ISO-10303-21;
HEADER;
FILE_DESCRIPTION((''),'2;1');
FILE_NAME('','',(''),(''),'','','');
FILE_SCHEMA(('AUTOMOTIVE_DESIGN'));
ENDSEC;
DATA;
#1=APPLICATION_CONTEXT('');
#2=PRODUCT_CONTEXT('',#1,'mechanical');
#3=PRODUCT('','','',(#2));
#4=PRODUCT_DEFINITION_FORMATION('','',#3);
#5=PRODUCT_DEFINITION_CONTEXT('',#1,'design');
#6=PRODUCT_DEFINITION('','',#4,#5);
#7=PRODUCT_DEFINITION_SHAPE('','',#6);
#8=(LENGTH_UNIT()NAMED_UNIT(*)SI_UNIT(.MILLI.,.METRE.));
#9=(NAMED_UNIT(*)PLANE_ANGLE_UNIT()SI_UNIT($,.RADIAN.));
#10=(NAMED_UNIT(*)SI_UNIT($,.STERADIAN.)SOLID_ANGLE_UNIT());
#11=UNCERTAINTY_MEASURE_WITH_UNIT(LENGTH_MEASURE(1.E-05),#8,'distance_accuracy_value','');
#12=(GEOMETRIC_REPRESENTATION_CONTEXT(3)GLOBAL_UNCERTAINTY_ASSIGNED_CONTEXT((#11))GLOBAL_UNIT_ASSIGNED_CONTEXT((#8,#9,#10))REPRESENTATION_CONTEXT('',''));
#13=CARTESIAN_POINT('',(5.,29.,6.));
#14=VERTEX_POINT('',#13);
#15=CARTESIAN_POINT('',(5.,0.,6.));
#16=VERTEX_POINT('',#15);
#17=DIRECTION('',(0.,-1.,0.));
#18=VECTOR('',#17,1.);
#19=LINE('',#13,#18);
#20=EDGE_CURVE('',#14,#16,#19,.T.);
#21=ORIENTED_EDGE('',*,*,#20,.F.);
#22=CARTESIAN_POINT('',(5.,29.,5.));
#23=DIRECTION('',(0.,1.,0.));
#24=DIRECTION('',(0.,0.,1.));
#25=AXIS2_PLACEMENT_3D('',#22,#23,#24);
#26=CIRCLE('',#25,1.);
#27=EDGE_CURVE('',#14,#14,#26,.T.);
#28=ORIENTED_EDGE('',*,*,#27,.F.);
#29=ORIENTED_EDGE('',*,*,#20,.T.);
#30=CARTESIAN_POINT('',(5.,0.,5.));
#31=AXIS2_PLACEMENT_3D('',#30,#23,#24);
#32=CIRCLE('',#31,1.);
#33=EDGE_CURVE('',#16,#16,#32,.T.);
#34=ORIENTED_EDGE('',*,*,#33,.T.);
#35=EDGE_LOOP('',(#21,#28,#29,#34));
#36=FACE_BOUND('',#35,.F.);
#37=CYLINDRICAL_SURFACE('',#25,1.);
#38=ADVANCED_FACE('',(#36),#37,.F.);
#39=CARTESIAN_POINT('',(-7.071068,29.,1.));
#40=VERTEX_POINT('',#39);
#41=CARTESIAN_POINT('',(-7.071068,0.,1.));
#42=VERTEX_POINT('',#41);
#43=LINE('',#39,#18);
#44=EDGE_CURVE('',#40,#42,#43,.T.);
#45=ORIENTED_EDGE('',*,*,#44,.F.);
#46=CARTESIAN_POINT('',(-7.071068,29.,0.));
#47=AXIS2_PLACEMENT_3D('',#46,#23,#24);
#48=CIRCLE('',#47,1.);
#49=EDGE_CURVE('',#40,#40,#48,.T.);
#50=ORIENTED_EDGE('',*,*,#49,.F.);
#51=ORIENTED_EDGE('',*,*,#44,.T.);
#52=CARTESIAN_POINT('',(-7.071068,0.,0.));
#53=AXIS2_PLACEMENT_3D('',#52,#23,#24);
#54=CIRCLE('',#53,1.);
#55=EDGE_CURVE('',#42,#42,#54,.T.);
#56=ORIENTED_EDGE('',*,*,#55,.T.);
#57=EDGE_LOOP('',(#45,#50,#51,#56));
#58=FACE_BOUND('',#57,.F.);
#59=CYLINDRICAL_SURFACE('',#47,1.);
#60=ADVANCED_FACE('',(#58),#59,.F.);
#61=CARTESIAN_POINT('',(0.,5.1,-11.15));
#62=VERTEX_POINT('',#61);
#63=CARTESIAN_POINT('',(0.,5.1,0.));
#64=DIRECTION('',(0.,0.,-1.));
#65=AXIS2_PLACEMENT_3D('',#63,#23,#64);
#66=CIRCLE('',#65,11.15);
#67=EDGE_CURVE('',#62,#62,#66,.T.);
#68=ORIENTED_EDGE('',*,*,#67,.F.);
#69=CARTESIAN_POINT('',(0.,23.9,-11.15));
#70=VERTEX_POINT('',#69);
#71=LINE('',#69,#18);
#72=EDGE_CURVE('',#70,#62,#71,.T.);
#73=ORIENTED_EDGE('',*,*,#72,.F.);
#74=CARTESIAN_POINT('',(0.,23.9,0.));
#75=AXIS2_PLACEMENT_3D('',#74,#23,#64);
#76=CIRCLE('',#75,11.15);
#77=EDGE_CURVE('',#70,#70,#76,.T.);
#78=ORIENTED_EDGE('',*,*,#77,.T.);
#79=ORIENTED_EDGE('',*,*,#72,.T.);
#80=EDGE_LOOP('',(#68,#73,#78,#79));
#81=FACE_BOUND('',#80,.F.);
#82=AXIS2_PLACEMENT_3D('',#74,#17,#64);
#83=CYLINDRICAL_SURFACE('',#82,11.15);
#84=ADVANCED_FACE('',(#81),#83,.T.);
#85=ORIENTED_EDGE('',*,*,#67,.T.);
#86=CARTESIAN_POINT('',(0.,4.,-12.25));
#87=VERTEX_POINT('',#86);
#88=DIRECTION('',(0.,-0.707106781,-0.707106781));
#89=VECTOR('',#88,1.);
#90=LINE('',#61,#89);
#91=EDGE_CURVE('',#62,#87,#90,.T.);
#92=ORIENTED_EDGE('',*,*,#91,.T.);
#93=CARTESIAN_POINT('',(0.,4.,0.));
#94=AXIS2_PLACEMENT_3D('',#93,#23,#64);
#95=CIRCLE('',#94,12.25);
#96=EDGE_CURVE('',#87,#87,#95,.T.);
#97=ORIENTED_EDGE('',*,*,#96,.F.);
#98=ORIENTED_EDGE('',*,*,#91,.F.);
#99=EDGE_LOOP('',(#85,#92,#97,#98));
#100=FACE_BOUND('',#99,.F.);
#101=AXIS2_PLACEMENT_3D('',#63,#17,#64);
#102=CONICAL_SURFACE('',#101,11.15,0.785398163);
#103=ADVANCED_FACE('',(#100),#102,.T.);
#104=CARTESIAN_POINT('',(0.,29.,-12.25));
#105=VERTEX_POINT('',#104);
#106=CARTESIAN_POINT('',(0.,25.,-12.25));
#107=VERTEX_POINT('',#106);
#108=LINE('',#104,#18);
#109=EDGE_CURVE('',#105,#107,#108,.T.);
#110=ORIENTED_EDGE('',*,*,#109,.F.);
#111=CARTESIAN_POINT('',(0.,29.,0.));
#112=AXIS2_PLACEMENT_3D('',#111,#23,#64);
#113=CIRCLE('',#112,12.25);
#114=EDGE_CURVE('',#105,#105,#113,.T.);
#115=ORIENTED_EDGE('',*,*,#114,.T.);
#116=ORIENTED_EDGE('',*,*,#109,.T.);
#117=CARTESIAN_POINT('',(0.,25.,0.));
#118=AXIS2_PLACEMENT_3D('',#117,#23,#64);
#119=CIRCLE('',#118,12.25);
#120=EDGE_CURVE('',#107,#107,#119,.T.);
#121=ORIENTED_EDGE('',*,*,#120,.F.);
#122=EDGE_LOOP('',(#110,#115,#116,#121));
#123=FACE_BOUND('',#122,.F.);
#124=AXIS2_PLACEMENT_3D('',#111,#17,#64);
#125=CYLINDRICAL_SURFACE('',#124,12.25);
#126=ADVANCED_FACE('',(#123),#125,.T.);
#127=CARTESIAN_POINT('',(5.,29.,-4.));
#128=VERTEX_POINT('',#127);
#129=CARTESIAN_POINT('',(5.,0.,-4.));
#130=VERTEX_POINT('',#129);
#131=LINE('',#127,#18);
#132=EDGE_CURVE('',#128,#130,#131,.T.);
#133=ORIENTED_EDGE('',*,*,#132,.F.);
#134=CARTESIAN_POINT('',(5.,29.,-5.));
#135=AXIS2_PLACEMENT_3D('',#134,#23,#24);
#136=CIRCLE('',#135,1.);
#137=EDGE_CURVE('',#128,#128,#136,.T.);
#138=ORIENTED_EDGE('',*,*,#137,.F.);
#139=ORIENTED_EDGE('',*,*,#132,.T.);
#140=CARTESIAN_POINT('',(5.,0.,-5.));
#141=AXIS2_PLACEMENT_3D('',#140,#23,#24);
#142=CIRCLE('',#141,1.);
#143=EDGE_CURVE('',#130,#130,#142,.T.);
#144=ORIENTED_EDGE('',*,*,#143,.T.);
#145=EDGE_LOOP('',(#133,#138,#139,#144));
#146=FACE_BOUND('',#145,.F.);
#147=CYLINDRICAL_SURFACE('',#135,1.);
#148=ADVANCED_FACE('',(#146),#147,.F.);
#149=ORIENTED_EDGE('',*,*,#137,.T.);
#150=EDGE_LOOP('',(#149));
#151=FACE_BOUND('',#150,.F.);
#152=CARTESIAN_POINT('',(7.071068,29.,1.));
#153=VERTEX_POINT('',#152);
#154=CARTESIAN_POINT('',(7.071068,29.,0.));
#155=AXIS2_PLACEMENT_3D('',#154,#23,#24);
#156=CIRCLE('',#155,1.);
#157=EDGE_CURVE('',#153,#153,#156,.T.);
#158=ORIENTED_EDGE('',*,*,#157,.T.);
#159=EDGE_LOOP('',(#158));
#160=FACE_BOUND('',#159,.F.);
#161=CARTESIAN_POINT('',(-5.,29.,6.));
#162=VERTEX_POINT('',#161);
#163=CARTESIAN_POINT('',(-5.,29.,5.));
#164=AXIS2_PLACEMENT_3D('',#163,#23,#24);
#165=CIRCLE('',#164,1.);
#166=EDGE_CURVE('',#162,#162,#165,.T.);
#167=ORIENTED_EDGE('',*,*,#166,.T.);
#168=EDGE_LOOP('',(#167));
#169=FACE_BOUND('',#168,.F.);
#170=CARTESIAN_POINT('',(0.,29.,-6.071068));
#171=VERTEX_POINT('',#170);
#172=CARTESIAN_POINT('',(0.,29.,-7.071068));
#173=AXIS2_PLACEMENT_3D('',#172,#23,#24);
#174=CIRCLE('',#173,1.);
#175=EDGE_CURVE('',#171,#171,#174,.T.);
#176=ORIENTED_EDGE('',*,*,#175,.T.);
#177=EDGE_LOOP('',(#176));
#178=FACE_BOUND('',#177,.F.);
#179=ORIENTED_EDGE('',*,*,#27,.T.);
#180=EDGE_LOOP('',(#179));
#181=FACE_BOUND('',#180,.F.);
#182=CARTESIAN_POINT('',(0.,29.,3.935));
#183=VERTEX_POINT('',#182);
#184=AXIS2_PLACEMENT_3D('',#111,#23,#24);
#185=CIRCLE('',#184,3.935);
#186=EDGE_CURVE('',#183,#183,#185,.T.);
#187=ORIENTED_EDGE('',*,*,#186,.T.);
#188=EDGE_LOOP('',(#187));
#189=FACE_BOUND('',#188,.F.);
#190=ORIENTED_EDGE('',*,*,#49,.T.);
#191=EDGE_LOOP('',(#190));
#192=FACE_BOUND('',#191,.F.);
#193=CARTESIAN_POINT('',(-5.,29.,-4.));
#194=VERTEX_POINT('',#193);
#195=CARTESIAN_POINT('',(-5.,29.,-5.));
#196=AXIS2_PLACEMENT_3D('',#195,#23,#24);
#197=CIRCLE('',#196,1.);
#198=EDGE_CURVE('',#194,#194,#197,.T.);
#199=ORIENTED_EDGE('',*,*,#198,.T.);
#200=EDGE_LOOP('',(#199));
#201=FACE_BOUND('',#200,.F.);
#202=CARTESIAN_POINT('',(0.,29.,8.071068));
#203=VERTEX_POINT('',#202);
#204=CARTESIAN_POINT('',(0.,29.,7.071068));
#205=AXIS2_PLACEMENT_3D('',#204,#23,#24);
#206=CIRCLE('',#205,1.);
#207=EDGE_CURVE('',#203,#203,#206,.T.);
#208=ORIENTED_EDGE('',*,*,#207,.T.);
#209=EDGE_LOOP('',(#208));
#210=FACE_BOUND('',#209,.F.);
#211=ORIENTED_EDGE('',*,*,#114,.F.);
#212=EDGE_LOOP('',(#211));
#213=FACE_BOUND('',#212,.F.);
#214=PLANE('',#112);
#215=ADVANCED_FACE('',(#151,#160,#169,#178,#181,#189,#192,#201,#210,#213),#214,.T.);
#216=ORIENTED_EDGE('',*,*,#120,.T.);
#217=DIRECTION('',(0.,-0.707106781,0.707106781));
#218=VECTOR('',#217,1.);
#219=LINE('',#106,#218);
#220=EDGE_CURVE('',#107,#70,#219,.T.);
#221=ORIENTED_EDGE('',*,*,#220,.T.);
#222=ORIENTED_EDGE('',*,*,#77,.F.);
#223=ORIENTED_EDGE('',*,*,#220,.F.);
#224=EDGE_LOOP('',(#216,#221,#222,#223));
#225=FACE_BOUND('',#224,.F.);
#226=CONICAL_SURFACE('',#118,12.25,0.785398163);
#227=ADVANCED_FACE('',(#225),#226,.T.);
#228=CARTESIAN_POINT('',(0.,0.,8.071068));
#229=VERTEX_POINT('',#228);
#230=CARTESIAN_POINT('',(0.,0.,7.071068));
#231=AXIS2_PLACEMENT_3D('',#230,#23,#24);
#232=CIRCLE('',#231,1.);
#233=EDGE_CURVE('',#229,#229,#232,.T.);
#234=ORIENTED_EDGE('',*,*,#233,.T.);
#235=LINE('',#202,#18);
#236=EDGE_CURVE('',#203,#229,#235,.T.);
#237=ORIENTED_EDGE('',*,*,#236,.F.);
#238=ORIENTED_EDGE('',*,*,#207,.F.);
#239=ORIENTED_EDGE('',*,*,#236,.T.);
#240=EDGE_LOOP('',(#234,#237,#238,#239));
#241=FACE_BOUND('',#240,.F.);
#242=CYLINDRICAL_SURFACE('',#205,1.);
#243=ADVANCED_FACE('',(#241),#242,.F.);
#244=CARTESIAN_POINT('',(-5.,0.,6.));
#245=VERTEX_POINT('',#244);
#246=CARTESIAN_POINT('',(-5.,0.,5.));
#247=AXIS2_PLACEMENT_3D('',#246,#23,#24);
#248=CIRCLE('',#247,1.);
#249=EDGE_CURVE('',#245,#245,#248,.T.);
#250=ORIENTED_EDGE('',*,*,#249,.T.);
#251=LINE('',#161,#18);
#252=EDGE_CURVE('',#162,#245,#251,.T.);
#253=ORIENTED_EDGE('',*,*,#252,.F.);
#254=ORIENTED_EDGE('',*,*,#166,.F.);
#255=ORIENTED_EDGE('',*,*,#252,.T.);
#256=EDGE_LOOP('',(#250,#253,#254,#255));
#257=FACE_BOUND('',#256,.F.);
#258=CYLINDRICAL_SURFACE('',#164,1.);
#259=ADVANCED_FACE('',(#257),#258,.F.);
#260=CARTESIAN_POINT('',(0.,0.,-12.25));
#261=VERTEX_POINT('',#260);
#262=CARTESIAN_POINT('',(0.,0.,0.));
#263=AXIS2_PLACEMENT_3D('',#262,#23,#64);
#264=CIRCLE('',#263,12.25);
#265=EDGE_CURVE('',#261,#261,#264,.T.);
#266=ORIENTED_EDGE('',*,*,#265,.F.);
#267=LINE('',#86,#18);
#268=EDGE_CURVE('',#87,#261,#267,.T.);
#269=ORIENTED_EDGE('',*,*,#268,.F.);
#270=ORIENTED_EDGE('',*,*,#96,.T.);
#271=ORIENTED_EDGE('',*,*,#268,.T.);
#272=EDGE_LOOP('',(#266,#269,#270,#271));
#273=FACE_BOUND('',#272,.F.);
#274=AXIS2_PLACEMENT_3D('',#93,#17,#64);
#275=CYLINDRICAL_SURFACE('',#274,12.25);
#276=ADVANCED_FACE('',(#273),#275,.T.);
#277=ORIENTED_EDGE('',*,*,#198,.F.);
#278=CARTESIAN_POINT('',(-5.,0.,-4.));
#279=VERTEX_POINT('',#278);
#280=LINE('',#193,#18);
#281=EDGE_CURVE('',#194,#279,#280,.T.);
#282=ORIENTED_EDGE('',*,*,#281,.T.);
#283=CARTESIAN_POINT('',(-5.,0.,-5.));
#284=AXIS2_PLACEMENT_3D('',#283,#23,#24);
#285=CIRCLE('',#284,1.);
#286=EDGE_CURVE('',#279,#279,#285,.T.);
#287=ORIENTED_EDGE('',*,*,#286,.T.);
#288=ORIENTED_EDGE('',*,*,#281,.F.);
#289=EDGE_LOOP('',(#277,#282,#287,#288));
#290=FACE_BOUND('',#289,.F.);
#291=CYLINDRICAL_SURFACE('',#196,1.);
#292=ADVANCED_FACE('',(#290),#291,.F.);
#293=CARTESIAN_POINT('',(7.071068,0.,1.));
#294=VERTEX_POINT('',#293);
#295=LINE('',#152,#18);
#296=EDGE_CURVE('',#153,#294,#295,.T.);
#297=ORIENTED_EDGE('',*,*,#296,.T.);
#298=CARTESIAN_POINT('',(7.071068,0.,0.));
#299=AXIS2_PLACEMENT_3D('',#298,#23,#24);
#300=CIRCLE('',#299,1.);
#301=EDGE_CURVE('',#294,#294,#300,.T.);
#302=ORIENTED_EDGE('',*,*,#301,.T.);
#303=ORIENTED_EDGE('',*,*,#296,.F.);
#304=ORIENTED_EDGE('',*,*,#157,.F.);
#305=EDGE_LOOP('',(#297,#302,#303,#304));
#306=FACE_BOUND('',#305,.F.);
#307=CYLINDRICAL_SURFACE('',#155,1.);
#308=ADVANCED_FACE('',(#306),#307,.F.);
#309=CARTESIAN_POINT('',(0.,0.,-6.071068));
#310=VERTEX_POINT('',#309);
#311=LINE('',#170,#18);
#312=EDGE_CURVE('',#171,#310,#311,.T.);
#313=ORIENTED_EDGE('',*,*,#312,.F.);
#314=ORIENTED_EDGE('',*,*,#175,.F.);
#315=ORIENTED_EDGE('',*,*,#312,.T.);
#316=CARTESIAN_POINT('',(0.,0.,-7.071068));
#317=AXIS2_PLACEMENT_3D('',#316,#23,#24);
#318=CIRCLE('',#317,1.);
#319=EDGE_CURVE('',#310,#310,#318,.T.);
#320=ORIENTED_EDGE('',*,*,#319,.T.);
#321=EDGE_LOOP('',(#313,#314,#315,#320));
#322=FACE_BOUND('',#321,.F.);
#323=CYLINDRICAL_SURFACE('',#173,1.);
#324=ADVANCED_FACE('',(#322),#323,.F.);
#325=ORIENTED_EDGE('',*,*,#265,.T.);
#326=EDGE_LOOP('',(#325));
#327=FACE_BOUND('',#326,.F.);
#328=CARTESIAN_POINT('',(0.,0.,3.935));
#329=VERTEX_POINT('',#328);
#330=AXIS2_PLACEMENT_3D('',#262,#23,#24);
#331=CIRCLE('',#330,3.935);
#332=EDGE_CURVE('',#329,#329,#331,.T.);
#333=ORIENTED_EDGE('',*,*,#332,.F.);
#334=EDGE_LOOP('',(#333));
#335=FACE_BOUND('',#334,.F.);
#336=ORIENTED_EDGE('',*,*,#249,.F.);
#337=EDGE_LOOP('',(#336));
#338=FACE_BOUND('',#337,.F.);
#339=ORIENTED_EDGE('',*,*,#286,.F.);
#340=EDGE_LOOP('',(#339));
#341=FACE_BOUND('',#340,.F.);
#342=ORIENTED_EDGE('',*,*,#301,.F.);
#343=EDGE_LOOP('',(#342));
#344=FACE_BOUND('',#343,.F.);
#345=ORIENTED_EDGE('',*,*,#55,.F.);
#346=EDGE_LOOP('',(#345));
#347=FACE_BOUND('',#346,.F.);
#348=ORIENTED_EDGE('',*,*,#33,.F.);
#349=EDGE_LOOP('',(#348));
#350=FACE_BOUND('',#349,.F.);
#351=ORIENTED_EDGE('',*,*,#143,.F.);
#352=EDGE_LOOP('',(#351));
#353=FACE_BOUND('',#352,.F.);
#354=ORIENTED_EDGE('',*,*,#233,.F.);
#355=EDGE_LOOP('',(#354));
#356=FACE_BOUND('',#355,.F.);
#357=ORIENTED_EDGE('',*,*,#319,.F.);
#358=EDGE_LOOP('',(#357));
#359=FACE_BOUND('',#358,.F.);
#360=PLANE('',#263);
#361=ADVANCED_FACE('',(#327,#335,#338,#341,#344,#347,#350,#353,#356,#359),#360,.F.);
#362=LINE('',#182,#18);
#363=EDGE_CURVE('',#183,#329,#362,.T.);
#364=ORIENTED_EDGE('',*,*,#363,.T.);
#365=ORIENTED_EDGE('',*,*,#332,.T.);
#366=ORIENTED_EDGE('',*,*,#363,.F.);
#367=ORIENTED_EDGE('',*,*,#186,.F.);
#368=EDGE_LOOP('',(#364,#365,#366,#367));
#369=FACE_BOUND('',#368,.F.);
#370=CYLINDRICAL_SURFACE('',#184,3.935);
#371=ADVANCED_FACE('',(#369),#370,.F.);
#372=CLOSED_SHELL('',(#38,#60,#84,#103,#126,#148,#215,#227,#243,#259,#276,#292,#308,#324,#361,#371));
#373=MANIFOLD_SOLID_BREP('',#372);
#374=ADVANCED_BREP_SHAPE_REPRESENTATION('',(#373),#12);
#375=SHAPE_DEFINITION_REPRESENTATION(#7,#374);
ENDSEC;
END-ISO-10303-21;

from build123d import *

# Parameters (mm, degrees)
SKETCH2_R          = 3.935
SKETCH2_R_2        = 1
CUT_EXTRUDE1_DEPTH = 45


with BuildPart() as part:
    # Sketch1 → Revolve1 (revolve)
    with BuildSketch(Plane.XY, mode=Mode.PRIVATE) as revolve1_sk:
        Polygon((-3, 0), (-3, 29), (-12.25, 29), (-12.25, 25), (-11.15, 23.9), (-11.15, 5.1), (-12.25, 4), (-12.25, 0), align=None)
    revolve(revolve1_sk.sketch.rotate(Axis((0, 0, 0), (0, 1, 0)), 270), axis=Axis((0, 0, 0), (0, 1, 0)))

    # Sketch2 → Cut-Extrude1 (cut)
    with BuildSketch(Plane(origin=(0, 29, 0), x_dir=(1, 0, 0), z_dir=(0, 1, 0))):
        with Locations(Location((0, 0, 0), (0, 0, 270))):
            Circle(SKETCH2_R)
        with Locations(Location((-5, 5, 0), (0, 0, 270))):
            Circle(SKETCH2_R_2)
        with Locations(Location((5, 5, 0), (0, 0, 270))):
            Circle(SKETCH2_R_2)
        with Locations(Location((5, -5, 0), (0, 0, 270))):
            Circle(SKETCH2_R_2)
        with Locations(Location((-5, -5, 0), (0, 0, 270))):
            Circle(SKETCH2_R_2)
        with Locations(Location((-7.071067812, 0, 0), (0, 0, 270))):
            Circle(SKETCH2_R_2)
        with Locations(Location((0, 7.071067812, 0), (0, 0, 270))):
            Circle(SKETCH2_R_2)
        with Locations(Location((7.071067812, 0, 0), (0, 0, 270))):
            Circle(SKETCH2_R_2)
        with Locations(Location((0, -7.071067812, 0), (0, 0, 270))):
            Circle(SKETCH2_R_2)
    extrude(amount=-CUT_EXTRUDE1_DEPTH, mode=Mode.SUBTRACT)


solid = part.part
